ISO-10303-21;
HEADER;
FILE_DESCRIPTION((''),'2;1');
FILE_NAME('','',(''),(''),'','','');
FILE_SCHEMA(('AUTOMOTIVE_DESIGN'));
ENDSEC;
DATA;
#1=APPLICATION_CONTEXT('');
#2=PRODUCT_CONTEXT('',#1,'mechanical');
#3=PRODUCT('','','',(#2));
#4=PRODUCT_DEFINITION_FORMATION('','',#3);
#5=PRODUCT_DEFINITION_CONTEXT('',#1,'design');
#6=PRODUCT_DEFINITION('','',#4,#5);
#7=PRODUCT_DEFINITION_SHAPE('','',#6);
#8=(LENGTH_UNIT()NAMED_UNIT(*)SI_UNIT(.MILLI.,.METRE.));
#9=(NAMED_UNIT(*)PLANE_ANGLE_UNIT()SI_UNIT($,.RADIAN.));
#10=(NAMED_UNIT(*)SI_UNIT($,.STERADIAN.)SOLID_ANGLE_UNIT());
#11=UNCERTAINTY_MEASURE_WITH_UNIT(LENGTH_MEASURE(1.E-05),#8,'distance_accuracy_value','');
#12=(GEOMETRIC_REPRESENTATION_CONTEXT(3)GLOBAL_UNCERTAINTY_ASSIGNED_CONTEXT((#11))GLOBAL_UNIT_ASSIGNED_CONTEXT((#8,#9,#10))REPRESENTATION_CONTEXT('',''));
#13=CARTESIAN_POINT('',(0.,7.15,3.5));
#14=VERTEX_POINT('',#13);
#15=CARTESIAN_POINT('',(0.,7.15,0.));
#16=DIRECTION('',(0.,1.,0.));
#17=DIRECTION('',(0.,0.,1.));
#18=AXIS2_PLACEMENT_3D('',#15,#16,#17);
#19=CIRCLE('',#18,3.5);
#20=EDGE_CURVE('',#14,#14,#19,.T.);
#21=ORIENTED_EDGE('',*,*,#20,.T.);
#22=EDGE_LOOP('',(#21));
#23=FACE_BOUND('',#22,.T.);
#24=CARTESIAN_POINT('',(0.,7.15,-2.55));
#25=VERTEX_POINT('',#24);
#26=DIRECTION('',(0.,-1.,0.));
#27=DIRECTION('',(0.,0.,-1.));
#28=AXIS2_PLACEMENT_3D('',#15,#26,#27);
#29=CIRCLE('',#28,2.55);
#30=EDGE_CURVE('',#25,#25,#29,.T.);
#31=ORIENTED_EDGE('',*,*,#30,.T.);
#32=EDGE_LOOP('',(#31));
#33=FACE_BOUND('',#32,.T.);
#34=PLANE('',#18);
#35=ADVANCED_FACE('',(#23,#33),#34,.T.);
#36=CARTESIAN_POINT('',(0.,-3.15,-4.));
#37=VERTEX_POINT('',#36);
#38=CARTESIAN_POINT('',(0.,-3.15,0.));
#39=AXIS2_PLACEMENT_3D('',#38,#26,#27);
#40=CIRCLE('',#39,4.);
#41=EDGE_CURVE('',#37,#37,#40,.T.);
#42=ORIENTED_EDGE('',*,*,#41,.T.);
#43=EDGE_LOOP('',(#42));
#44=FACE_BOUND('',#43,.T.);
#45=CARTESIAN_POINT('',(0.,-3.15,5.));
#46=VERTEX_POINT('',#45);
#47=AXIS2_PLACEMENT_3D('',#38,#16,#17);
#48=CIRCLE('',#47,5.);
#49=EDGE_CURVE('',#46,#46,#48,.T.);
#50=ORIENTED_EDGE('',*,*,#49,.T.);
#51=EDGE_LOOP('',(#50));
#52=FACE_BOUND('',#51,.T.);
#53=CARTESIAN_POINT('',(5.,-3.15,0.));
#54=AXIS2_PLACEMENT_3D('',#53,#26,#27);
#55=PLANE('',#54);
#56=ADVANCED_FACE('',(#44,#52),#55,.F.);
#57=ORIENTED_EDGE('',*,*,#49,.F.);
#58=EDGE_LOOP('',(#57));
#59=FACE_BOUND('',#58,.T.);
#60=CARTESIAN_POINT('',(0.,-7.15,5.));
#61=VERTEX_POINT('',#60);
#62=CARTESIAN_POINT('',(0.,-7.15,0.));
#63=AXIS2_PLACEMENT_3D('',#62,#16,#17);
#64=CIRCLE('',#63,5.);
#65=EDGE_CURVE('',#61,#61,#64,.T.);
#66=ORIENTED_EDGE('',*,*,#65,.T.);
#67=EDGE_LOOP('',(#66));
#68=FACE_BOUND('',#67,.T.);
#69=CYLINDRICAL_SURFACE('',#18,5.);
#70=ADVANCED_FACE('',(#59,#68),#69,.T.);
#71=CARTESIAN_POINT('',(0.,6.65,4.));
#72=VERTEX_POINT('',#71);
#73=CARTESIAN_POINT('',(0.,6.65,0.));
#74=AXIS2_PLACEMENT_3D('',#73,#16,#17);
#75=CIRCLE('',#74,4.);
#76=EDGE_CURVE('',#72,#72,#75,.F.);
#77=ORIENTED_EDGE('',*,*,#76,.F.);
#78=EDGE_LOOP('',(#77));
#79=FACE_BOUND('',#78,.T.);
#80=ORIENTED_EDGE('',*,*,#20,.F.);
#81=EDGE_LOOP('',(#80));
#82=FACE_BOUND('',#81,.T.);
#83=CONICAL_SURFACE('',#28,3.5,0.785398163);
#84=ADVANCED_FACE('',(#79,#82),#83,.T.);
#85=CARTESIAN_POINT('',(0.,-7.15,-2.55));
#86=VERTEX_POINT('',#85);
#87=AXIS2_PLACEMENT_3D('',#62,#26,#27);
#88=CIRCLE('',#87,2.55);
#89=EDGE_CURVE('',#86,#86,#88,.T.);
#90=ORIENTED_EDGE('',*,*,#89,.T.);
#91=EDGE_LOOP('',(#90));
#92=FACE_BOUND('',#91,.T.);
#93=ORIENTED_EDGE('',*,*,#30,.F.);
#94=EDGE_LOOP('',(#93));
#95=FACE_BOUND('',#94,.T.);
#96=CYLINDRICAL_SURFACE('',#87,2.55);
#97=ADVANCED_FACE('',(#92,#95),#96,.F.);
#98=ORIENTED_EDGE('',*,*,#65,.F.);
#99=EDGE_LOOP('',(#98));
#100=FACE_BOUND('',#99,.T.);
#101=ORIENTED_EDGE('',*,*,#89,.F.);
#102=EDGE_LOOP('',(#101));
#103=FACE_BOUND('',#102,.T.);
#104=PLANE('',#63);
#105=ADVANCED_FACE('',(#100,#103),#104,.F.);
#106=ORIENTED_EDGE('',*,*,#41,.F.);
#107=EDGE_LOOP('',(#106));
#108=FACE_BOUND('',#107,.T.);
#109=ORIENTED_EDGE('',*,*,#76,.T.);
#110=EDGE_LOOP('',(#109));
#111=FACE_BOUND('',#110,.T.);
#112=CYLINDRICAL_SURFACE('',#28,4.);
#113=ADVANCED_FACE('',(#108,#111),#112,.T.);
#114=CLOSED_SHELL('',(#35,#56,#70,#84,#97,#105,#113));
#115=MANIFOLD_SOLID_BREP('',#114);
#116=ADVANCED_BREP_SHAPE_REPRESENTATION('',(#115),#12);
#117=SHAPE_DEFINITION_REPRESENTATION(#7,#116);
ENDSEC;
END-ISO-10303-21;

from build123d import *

# Parameters (mm, degrees)
SKETCH_1_R              = 4
EXTRUDE_1_DEPTH         = 7.15
SKETCH_2_W              = 1
SKETCH_2_H              = 4
CHAMFER_1_SIZE          = 0.5
HOLE_WIZARD_5_1_5_1_1_D = 5.1


with BuildPart() as part:
    # 草图1 → 凸台-拉伸1 (new, symmetric)
    with BuildSketch(Plane(origin=(0, 0, 0), x_dir=(1, 0, 0), z_dir=(0, 1, 0))):
        with Locations(Location((0, 0, 0), (0, 0, 270))):
            Circle(SKETCH_1_R)
    extrude(amount=EXTRUDE_1_DEPTH, both=True)

    # 草图2 → 旋转1 (revolve)
    with BuildSketch(Plane.XY, mode=Mode.PRIVATE) as revolve_1_sk:
        with Locations((4.5, -5.15)):
            Rectangle(SKETCH_2_W, SKETCH_2_H)
    revolve(revolve_1_sk.sketch.rotate(Axis((0, 7.15, 0), (0, -1, 0)), 270), axis=Axis((0, 7.15, 0), (0, -1, 0)))

    # 倒角1
    chamfer_1_edges = [part.edges().sort_by_distance(p)[0] for p in [
        (0, 7.15, -4),
    ]]
    chamfer(chamfer_1_edges, length=CHAMFER_1_SIZE)

    # Ø5.1 (5.1) 直径孔1 (through all)
    with Locations(Plane(origin=(0, -7.15, 0), x_dir=(-1, 0, 0), z_dir=(0, -1, 0))):
        with Locations((0, 0)):
            Hole(HOLE_WIZARD_5_1_5_1_1_D / 2)


solid = part.part
